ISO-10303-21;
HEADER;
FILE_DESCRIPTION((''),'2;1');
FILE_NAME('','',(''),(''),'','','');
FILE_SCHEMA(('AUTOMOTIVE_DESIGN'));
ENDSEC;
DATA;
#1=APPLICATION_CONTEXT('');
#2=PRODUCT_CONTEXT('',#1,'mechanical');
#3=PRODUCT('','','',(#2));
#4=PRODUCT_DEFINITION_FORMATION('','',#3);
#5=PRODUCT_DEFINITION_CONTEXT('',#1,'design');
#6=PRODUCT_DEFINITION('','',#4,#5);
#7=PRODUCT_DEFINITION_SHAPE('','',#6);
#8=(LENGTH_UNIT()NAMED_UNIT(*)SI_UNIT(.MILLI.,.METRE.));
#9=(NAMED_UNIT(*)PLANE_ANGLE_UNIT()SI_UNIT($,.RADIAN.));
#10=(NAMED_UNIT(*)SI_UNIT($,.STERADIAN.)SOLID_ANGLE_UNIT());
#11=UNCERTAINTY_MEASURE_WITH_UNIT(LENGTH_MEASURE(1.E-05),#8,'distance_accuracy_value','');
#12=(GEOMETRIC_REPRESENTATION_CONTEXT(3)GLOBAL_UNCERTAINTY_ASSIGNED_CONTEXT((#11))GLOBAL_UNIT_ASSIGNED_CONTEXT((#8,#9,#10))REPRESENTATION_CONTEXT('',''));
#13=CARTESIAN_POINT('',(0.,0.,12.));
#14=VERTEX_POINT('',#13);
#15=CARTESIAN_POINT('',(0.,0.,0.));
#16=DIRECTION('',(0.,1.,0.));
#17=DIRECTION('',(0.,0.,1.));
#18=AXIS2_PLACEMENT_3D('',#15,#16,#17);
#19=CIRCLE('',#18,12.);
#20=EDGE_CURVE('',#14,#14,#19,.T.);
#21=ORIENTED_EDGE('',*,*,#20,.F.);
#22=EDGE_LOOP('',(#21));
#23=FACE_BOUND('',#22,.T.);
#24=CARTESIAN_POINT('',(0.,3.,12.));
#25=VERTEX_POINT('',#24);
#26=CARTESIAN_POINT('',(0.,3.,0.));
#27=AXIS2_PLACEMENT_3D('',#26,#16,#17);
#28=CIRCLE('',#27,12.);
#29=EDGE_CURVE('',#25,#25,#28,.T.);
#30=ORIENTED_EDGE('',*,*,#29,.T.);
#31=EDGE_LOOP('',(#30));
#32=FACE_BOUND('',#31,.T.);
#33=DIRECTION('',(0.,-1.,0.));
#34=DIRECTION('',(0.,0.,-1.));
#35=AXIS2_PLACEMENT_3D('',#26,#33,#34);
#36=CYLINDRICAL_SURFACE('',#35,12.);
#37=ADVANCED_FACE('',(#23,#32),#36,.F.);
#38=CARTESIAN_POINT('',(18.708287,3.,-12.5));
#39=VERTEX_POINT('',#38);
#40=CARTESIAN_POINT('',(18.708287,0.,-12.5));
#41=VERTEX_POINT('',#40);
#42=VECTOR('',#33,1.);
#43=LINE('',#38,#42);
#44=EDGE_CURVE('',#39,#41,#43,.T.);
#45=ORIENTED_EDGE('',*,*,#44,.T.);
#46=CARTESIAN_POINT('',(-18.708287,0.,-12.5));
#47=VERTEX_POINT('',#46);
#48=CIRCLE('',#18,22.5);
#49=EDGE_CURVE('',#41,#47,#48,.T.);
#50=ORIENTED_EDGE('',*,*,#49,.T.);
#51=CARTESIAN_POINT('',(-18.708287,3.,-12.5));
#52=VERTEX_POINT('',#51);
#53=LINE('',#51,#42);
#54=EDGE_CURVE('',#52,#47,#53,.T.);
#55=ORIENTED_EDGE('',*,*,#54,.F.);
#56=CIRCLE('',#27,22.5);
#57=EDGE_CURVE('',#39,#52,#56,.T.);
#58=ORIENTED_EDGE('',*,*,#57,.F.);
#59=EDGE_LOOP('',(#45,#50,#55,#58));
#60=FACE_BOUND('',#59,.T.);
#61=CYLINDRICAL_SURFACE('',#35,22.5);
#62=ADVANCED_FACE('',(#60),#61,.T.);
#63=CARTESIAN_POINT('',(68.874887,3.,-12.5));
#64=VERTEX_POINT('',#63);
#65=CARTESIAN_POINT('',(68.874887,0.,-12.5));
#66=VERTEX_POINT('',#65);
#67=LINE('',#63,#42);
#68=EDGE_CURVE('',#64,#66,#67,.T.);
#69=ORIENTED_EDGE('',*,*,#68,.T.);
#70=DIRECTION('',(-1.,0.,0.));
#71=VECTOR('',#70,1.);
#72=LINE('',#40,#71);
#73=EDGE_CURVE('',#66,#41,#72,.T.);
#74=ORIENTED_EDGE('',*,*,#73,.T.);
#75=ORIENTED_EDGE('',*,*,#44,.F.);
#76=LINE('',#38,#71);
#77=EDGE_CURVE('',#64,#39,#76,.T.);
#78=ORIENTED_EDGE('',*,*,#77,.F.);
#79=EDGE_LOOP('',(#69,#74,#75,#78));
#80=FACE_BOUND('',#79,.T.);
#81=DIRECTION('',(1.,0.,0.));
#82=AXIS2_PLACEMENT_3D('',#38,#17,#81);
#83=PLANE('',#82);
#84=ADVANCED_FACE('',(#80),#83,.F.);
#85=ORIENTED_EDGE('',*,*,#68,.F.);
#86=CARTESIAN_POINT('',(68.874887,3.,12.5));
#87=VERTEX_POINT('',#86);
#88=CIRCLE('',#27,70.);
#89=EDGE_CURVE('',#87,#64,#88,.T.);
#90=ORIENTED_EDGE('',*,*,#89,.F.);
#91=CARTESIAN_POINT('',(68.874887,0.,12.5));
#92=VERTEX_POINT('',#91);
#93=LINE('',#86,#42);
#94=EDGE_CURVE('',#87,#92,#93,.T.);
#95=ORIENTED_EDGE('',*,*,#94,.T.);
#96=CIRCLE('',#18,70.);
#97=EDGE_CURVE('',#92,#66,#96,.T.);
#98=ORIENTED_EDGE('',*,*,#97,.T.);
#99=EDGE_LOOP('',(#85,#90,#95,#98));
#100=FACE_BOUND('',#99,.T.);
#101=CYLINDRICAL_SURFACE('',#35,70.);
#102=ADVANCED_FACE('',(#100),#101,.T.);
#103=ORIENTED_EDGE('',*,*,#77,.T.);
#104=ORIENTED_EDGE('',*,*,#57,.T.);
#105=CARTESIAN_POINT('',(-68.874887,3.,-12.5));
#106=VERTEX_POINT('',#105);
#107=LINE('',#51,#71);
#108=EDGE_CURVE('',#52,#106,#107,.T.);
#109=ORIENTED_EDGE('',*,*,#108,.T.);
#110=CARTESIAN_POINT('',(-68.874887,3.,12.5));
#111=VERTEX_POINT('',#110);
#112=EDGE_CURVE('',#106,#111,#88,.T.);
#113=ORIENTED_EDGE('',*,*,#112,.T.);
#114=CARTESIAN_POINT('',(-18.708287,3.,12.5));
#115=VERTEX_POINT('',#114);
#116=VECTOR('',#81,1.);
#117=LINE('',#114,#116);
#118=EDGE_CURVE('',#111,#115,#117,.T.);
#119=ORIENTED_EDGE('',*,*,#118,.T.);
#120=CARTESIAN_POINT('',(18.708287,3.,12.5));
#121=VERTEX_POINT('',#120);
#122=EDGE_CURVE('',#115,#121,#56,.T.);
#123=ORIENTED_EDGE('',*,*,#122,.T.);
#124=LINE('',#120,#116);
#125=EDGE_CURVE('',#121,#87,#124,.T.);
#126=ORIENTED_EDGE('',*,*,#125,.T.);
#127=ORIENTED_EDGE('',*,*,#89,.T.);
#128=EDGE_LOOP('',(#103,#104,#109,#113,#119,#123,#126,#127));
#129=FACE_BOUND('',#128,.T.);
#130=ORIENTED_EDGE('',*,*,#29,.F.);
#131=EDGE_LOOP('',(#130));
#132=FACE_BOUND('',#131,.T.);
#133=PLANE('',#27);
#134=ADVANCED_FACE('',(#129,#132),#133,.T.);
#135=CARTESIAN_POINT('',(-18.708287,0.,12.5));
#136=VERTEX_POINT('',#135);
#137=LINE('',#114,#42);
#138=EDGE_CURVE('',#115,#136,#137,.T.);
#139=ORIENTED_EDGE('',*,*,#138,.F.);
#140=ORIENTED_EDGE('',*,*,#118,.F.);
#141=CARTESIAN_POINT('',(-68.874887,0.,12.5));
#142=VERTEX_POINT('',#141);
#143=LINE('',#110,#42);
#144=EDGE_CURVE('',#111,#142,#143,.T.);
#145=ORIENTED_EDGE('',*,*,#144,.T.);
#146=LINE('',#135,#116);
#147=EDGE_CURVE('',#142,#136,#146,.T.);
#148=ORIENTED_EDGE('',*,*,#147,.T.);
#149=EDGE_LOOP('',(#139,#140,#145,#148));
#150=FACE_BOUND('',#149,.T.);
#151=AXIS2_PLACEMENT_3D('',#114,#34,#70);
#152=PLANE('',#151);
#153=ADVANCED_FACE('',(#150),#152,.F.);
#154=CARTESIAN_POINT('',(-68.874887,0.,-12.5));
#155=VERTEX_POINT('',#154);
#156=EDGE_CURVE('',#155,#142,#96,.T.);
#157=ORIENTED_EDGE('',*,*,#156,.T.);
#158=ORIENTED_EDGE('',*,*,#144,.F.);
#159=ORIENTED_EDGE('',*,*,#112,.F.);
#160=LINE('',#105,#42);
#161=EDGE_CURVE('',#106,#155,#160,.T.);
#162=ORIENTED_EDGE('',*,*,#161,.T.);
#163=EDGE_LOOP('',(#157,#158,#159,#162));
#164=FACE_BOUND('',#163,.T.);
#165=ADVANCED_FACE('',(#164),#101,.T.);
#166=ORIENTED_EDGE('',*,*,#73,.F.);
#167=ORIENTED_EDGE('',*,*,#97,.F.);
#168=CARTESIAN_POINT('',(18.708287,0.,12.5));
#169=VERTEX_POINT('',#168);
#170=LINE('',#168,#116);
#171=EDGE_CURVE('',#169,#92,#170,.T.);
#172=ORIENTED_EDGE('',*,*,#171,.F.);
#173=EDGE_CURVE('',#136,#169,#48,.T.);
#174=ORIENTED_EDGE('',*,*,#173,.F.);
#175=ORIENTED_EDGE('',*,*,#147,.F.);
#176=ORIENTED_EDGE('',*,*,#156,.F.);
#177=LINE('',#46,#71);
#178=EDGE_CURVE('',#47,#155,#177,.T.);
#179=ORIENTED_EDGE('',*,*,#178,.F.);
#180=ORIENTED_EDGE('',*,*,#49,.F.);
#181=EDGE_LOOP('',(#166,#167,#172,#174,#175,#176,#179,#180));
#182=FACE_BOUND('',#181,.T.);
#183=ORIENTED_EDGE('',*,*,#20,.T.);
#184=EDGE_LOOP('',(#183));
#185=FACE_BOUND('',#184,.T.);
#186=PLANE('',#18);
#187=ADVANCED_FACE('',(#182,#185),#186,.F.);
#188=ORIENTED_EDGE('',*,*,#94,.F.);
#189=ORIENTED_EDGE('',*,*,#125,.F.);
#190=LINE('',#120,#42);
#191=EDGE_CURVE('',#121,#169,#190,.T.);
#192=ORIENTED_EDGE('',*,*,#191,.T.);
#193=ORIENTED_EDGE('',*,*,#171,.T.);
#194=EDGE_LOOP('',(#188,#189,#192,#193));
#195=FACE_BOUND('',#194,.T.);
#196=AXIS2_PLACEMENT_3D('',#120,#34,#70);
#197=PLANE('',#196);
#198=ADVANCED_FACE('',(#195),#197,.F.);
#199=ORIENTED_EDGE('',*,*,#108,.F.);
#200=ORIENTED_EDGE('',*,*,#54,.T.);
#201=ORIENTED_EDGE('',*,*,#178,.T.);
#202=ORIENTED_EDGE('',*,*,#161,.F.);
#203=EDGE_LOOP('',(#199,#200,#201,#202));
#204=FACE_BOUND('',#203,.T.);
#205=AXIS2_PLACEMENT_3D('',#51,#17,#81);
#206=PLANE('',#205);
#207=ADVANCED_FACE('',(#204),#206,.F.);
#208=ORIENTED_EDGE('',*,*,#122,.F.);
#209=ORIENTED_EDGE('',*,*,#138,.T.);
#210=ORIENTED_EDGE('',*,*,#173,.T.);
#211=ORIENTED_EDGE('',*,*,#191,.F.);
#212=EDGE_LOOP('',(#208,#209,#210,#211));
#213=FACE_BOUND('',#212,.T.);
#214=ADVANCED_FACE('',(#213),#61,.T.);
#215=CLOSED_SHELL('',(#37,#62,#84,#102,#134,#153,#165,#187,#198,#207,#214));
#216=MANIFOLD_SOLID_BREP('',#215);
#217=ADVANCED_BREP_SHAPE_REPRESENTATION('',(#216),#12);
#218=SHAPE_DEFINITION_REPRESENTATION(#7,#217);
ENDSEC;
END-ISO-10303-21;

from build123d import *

# Parameters (mm, degrees)
CROQUIS1_R              = 12
SALIENTE_EXTRUIR1_DEPTH = 3


with BuildPart() as part:
    # Croquis1 → Saliente-Extruir1 (new body)
    with BuildSketch(Plane(origin=(0, 0, 0), x_dir=(1, 0, 0), z_dir=(0, 1, 0))):
        with BuildLine():
            Line((-18.708286934, 12.5), (-68.87488657, 12.5))
            ThreePointArc((-68.87488657, 12.5), (-70, 0), (-68.87488657, -12.5))
            Line((-68.87488657, -12.5), (-18.708286934, -12.5))
            ThreePointArc((-18.708286934, -12.5), (0, -22.5), (18.708286934, -12.5))
            Line((18.708286934, -12.5), (68.87488657, -12.5))
            ThreePointArc((68.87488657, -12.5), (70, 0), (68.87488657, 12.5))
            Line((68.87488657, 12.5), (18.708286934, 12.5))
            ThreePointArc((18.708286934, 12.5), (0, 22.5), (-18.708286934, 12.5))
        make_face()
        with Locations(Location((0, 0, 0), (0, 0, 270))):
            Circle(CROQUIS1_R, mode=Mode.SUBTRACT)
    extrude(amount=SALIENTE_EXTRUIR1_DEPTH)


solid = part.part
